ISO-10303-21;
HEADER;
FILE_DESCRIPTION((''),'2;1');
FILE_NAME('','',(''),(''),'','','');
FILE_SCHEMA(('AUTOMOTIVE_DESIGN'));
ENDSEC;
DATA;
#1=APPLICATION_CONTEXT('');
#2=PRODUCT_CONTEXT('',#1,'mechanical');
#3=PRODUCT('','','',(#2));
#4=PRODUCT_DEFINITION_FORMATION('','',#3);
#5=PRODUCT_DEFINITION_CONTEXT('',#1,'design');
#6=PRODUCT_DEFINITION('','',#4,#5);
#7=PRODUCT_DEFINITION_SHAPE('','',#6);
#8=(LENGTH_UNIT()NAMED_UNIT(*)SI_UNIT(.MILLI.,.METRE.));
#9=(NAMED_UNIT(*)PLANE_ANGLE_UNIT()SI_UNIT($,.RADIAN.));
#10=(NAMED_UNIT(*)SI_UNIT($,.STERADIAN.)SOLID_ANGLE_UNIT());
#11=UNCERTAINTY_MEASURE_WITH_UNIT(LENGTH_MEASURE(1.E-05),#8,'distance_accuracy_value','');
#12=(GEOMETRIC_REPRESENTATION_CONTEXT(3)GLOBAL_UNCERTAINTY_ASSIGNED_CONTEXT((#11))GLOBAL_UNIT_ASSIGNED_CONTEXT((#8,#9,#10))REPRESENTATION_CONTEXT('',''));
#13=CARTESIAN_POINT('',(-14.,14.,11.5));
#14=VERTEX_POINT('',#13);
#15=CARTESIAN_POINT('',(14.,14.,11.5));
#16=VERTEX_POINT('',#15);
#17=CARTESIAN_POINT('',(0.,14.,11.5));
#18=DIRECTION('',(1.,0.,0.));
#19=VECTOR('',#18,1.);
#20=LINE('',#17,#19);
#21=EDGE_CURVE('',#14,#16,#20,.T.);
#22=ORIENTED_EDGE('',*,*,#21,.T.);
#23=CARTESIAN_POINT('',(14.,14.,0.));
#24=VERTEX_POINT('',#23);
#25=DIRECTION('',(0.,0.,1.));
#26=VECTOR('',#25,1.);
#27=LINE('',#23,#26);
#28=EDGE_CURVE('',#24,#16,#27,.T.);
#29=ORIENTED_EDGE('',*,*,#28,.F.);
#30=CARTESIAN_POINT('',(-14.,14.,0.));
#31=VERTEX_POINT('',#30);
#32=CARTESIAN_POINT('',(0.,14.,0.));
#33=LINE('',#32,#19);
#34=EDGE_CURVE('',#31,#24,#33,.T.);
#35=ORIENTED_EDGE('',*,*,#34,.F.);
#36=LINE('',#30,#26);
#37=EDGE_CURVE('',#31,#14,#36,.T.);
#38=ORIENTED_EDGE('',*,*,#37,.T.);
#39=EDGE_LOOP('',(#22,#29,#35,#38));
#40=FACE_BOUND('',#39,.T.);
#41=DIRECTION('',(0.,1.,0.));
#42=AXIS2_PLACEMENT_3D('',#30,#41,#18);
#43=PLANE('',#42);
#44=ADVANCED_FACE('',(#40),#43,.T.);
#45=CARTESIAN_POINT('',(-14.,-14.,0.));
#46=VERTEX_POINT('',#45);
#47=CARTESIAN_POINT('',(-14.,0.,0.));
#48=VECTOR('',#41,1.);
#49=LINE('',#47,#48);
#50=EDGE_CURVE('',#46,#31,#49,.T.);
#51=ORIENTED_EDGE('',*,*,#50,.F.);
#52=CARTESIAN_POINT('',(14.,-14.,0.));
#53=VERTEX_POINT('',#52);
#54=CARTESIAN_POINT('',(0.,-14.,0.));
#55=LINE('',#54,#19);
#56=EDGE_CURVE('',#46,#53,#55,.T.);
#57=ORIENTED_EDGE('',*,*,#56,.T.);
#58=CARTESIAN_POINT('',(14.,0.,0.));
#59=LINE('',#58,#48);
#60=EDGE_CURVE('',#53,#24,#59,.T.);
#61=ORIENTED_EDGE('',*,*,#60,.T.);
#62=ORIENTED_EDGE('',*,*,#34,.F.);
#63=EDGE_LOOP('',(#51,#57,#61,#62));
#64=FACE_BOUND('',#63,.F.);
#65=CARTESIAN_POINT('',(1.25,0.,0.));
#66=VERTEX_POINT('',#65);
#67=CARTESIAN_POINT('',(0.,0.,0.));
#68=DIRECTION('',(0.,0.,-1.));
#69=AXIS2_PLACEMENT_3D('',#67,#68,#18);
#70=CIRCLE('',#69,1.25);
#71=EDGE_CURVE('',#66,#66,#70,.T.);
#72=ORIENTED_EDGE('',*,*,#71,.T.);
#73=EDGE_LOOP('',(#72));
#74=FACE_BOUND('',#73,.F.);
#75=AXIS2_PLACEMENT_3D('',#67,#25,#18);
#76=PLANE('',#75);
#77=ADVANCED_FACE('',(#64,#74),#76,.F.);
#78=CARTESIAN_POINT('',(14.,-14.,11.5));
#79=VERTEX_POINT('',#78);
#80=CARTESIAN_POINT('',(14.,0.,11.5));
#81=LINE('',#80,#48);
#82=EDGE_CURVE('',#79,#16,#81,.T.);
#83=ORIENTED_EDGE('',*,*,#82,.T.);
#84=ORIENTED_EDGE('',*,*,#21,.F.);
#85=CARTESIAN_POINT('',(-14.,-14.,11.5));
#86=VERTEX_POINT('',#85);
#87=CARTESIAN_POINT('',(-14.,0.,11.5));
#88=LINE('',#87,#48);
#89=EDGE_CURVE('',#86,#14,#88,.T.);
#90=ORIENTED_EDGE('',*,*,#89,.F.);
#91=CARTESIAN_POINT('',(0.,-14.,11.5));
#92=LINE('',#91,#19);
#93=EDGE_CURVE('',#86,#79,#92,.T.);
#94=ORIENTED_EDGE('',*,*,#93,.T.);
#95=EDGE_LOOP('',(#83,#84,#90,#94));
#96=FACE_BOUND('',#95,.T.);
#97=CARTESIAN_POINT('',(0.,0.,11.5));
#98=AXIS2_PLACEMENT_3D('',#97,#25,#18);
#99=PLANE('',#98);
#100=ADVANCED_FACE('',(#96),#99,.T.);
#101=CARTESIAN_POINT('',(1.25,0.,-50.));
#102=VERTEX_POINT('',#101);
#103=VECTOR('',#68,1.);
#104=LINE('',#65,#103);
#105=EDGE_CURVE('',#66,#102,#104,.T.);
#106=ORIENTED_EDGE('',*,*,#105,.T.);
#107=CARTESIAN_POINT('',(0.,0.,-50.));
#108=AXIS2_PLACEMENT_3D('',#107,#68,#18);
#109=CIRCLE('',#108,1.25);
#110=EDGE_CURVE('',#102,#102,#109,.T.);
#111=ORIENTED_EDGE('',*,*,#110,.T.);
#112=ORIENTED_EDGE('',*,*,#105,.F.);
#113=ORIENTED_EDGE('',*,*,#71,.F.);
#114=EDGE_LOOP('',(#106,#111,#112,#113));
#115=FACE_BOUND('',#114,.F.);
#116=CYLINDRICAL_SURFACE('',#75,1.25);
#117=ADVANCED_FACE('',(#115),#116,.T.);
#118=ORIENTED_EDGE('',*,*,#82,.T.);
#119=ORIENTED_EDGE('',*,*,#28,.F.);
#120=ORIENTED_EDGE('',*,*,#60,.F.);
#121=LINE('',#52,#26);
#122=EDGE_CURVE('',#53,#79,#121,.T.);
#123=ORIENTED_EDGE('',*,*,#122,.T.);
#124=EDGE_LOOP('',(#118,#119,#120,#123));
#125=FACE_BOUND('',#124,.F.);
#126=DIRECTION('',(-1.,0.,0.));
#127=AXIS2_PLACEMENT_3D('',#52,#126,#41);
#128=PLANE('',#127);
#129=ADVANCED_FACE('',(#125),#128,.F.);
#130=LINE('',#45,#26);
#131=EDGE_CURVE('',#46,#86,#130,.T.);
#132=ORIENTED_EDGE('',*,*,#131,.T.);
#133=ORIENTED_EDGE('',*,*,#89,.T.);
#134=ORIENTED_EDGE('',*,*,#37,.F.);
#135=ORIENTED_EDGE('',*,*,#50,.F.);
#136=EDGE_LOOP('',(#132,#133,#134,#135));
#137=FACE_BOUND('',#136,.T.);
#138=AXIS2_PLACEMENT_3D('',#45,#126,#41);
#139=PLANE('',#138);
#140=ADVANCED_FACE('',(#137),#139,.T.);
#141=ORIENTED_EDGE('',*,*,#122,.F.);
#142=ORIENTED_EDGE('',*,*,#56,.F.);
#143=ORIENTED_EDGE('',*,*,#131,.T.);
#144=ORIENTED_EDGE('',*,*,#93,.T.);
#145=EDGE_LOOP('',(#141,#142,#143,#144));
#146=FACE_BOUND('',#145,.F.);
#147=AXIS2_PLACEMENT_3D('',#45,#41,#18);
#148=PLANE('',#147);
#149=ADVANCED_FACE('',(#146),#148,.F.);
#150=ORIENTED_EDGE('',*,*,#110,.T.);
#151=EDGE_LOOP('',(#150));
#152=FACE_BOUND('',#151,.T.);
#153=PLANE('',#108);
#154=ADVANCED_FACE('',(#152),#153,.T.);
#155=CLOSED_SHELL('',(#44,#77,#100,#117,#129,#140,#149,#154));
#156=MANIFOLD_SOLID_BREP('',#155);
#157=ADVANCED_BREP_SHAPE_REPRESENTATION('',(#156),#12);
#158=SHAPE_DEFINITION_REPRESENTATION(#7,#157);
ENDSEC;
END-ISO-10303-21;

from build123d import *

# Parameters (mm, degrees)
F0_W     = 28
F0_H     = 28
F1_DEPTH = 11.5
F2_R     = 1.25
F3_DEPTH = 50


with BuildPart() as f1:
    # F0 (on Top) → F1 (new body)
    with BuildSketch(Plane.XY):
        Rectangle(F0_W, F0_H)
    extrude(amount=F1_DEPTH)

    # F2 (on face) → F3 (join)
    with BuildSketch(Plane(origin=(0, 0, 0), x_dir=(1, 0, 0), z_dir=(0, 0, -1))):
        Circle(F2_R)
    extrude(amount=F3_DEPTH)


solid = f1.part
